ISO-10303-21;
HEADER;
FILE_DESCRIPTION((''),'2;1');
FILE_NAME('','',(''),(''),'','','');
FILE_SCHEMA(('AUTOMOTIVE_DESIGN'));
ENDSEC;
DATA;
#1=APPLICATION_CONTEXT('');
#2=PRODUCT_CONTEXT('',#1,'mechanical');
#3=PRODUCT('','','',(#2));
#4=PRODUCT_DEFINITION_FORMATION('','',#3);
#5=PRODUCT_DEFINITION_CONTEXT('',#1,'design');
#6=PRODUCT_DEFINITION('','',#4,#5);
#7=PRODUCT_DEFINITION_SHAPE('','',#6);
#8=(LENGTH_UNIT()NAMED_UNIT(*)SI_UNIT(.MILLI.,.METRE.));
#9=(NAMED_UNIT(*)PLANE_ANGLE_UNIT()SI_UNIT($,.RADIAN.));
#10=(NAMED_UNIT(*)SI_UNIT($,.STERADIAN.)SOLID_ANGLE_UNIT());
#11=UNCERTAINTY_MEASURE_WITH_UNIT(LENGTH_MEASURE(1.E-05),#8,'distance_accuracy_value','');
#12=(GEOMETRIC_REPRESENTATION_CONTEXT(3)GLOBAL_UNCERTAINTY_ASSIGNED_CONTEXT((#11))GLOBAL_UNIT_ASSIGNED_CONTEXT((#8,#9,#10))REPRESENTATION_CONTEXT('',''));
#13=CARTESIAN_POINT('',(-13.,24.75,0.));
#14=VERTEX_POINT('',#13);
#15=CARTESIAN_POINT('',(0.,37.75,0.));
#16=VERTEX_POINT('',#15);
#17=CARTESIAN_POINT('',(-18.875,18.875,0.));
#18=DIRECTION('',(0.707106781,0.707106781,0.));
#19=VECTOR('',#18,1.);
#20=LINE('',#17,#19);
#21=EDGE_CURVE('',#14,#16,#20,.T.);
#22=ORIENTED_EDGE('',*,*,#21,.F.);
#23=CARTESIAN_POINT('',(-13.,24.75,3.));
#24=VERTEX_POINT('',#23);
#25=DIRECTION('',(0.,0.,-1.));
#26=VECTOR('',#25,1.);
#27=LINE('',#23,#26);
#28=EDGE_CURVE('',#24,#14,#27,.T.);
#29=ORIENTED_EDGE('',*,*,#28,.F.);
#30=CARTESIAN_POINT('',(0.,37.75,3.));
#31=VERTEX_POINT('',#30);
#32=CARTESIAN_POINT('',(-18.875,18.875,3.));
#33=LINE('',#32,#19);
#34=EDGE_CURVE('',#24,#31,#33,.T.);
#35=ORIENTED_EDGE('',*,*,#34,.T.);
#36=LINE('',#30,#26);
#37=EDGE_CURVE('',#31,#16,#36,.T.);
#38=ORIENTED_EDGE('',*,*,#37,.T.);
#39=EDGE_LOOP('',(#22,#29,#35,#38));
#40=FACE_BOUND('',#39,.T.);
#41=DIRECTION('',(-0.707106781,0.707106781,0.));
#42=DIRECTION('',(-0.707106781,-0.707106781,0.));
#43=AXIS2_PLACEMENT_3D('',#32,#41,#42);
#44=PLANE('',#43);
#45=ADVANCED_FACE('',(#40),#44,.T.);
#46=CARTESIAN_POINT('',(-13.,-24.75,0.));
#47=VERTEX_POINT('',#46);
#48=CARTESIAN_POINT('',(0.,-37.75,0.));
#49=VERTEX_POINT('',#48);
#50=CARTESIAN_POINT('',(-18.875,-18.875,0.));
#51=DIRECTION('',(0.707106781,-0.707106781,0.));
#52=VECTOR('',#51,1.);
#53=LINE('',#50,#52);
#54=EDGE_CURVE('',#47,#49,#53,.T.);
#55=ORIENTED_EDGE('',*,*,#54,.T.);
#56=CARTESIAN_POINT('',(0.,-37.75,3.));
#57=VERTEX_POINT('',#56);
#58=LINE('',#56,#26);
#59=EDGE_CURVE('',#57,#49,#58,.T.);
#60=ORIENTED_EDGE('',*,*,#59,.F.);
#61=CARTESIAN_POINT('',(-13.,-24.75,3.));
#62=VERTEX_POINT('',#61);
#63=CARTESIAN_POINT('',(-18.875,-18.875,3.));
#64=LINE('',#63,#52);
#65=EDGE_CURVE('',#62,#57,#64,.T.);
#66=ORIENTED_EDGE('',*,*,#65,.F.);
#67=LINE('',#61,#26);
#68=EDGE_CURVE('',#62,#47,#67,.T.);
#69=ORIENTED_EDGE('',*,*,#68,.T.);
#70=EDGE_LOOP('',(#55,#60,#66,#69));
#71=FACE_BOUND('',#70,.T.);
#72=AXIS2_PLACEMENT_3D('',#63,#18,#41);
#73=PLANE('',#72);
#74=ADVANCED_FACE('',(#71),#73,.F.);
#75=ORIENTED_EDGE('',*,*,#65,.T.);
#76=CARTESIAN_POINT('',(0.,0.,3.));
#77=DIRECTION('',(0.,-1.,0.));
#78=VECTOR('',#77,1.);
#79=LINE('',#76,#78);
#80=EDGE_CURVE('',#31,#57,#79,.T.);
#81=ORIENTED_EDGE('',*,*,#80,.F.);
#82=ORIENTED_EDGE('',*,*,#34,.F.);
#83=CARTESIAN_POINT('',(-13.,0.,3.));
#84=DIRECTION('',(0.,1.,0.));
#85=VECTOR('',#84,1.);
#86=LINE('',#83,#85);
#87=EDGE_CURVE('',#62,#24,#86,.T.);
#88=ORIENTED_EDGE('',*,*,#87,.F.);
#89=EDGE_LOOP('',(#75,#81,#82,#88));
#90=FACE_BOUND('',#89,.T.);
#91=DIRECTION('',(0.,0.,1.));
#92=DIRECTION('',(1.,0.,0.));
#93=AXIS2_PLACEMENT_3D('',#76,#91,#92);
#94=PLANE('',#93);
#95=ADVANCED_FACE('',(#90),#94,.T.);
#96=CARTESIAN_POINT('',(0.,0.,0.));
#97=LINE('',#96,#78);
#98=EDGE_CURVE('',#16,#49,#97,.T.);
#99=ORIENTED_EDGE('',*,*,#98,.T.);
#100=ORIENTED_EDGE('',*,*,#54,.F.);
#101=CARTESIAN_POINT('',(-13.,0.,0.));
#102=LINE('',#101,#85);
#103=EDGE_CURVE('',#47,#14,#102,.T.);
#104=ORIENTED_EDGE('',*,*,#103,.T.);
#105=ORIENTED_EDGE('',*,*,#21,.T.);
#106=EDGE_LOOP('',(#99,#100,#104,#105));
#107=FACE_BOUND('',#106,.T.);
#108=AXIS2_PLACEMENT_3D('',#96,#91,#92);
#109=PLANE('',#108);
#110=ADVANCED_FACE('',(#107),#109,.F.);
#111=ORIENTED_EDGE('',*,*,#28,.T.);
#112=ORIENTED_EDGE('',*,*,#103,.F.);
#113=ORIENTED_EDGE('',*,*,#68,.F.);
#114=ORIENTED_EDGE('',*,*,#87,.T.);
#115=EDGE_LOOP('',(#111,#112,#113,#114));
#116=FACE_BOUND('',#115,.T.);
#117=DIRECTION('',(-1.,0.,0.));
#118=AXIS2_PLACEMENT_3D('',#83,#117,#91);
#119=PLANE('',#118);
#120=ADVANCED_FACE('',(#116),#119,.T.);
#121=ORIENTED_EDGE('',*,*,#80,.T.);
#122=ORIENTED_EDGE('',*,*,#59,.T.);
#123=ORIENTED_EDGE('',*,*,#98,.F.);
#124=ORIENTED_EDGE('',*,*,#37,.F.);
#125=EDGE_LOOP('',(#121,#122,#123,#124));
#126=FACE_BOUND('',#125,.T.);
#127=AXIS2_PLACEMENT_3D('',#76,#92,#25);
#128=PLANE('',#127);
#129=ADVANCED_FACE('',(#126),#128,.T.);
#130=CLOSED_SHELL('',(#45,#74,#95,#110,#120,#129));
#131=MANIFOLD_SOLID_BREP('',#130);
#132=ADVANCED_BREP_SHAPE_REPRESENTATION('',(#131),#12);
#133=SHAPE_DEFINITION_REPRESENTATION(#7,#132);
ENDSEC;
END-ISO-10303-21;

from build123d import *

# Parameters (mm, degrees)
BOSS_EXTRUDE1_DEPTH = 3


with BuildPart() as part:
    # Sketch1 → Boss-Extrude1 (new body)
    with BuildSketch(Plane.XY):
        Polygon((-13, 24.75), (-13, -24.75), (0, -37.75), (0, 37.75), align=None)
    extrude(amount=BOSS_EXTRUDE1_DEPTH)


solid = part.part
